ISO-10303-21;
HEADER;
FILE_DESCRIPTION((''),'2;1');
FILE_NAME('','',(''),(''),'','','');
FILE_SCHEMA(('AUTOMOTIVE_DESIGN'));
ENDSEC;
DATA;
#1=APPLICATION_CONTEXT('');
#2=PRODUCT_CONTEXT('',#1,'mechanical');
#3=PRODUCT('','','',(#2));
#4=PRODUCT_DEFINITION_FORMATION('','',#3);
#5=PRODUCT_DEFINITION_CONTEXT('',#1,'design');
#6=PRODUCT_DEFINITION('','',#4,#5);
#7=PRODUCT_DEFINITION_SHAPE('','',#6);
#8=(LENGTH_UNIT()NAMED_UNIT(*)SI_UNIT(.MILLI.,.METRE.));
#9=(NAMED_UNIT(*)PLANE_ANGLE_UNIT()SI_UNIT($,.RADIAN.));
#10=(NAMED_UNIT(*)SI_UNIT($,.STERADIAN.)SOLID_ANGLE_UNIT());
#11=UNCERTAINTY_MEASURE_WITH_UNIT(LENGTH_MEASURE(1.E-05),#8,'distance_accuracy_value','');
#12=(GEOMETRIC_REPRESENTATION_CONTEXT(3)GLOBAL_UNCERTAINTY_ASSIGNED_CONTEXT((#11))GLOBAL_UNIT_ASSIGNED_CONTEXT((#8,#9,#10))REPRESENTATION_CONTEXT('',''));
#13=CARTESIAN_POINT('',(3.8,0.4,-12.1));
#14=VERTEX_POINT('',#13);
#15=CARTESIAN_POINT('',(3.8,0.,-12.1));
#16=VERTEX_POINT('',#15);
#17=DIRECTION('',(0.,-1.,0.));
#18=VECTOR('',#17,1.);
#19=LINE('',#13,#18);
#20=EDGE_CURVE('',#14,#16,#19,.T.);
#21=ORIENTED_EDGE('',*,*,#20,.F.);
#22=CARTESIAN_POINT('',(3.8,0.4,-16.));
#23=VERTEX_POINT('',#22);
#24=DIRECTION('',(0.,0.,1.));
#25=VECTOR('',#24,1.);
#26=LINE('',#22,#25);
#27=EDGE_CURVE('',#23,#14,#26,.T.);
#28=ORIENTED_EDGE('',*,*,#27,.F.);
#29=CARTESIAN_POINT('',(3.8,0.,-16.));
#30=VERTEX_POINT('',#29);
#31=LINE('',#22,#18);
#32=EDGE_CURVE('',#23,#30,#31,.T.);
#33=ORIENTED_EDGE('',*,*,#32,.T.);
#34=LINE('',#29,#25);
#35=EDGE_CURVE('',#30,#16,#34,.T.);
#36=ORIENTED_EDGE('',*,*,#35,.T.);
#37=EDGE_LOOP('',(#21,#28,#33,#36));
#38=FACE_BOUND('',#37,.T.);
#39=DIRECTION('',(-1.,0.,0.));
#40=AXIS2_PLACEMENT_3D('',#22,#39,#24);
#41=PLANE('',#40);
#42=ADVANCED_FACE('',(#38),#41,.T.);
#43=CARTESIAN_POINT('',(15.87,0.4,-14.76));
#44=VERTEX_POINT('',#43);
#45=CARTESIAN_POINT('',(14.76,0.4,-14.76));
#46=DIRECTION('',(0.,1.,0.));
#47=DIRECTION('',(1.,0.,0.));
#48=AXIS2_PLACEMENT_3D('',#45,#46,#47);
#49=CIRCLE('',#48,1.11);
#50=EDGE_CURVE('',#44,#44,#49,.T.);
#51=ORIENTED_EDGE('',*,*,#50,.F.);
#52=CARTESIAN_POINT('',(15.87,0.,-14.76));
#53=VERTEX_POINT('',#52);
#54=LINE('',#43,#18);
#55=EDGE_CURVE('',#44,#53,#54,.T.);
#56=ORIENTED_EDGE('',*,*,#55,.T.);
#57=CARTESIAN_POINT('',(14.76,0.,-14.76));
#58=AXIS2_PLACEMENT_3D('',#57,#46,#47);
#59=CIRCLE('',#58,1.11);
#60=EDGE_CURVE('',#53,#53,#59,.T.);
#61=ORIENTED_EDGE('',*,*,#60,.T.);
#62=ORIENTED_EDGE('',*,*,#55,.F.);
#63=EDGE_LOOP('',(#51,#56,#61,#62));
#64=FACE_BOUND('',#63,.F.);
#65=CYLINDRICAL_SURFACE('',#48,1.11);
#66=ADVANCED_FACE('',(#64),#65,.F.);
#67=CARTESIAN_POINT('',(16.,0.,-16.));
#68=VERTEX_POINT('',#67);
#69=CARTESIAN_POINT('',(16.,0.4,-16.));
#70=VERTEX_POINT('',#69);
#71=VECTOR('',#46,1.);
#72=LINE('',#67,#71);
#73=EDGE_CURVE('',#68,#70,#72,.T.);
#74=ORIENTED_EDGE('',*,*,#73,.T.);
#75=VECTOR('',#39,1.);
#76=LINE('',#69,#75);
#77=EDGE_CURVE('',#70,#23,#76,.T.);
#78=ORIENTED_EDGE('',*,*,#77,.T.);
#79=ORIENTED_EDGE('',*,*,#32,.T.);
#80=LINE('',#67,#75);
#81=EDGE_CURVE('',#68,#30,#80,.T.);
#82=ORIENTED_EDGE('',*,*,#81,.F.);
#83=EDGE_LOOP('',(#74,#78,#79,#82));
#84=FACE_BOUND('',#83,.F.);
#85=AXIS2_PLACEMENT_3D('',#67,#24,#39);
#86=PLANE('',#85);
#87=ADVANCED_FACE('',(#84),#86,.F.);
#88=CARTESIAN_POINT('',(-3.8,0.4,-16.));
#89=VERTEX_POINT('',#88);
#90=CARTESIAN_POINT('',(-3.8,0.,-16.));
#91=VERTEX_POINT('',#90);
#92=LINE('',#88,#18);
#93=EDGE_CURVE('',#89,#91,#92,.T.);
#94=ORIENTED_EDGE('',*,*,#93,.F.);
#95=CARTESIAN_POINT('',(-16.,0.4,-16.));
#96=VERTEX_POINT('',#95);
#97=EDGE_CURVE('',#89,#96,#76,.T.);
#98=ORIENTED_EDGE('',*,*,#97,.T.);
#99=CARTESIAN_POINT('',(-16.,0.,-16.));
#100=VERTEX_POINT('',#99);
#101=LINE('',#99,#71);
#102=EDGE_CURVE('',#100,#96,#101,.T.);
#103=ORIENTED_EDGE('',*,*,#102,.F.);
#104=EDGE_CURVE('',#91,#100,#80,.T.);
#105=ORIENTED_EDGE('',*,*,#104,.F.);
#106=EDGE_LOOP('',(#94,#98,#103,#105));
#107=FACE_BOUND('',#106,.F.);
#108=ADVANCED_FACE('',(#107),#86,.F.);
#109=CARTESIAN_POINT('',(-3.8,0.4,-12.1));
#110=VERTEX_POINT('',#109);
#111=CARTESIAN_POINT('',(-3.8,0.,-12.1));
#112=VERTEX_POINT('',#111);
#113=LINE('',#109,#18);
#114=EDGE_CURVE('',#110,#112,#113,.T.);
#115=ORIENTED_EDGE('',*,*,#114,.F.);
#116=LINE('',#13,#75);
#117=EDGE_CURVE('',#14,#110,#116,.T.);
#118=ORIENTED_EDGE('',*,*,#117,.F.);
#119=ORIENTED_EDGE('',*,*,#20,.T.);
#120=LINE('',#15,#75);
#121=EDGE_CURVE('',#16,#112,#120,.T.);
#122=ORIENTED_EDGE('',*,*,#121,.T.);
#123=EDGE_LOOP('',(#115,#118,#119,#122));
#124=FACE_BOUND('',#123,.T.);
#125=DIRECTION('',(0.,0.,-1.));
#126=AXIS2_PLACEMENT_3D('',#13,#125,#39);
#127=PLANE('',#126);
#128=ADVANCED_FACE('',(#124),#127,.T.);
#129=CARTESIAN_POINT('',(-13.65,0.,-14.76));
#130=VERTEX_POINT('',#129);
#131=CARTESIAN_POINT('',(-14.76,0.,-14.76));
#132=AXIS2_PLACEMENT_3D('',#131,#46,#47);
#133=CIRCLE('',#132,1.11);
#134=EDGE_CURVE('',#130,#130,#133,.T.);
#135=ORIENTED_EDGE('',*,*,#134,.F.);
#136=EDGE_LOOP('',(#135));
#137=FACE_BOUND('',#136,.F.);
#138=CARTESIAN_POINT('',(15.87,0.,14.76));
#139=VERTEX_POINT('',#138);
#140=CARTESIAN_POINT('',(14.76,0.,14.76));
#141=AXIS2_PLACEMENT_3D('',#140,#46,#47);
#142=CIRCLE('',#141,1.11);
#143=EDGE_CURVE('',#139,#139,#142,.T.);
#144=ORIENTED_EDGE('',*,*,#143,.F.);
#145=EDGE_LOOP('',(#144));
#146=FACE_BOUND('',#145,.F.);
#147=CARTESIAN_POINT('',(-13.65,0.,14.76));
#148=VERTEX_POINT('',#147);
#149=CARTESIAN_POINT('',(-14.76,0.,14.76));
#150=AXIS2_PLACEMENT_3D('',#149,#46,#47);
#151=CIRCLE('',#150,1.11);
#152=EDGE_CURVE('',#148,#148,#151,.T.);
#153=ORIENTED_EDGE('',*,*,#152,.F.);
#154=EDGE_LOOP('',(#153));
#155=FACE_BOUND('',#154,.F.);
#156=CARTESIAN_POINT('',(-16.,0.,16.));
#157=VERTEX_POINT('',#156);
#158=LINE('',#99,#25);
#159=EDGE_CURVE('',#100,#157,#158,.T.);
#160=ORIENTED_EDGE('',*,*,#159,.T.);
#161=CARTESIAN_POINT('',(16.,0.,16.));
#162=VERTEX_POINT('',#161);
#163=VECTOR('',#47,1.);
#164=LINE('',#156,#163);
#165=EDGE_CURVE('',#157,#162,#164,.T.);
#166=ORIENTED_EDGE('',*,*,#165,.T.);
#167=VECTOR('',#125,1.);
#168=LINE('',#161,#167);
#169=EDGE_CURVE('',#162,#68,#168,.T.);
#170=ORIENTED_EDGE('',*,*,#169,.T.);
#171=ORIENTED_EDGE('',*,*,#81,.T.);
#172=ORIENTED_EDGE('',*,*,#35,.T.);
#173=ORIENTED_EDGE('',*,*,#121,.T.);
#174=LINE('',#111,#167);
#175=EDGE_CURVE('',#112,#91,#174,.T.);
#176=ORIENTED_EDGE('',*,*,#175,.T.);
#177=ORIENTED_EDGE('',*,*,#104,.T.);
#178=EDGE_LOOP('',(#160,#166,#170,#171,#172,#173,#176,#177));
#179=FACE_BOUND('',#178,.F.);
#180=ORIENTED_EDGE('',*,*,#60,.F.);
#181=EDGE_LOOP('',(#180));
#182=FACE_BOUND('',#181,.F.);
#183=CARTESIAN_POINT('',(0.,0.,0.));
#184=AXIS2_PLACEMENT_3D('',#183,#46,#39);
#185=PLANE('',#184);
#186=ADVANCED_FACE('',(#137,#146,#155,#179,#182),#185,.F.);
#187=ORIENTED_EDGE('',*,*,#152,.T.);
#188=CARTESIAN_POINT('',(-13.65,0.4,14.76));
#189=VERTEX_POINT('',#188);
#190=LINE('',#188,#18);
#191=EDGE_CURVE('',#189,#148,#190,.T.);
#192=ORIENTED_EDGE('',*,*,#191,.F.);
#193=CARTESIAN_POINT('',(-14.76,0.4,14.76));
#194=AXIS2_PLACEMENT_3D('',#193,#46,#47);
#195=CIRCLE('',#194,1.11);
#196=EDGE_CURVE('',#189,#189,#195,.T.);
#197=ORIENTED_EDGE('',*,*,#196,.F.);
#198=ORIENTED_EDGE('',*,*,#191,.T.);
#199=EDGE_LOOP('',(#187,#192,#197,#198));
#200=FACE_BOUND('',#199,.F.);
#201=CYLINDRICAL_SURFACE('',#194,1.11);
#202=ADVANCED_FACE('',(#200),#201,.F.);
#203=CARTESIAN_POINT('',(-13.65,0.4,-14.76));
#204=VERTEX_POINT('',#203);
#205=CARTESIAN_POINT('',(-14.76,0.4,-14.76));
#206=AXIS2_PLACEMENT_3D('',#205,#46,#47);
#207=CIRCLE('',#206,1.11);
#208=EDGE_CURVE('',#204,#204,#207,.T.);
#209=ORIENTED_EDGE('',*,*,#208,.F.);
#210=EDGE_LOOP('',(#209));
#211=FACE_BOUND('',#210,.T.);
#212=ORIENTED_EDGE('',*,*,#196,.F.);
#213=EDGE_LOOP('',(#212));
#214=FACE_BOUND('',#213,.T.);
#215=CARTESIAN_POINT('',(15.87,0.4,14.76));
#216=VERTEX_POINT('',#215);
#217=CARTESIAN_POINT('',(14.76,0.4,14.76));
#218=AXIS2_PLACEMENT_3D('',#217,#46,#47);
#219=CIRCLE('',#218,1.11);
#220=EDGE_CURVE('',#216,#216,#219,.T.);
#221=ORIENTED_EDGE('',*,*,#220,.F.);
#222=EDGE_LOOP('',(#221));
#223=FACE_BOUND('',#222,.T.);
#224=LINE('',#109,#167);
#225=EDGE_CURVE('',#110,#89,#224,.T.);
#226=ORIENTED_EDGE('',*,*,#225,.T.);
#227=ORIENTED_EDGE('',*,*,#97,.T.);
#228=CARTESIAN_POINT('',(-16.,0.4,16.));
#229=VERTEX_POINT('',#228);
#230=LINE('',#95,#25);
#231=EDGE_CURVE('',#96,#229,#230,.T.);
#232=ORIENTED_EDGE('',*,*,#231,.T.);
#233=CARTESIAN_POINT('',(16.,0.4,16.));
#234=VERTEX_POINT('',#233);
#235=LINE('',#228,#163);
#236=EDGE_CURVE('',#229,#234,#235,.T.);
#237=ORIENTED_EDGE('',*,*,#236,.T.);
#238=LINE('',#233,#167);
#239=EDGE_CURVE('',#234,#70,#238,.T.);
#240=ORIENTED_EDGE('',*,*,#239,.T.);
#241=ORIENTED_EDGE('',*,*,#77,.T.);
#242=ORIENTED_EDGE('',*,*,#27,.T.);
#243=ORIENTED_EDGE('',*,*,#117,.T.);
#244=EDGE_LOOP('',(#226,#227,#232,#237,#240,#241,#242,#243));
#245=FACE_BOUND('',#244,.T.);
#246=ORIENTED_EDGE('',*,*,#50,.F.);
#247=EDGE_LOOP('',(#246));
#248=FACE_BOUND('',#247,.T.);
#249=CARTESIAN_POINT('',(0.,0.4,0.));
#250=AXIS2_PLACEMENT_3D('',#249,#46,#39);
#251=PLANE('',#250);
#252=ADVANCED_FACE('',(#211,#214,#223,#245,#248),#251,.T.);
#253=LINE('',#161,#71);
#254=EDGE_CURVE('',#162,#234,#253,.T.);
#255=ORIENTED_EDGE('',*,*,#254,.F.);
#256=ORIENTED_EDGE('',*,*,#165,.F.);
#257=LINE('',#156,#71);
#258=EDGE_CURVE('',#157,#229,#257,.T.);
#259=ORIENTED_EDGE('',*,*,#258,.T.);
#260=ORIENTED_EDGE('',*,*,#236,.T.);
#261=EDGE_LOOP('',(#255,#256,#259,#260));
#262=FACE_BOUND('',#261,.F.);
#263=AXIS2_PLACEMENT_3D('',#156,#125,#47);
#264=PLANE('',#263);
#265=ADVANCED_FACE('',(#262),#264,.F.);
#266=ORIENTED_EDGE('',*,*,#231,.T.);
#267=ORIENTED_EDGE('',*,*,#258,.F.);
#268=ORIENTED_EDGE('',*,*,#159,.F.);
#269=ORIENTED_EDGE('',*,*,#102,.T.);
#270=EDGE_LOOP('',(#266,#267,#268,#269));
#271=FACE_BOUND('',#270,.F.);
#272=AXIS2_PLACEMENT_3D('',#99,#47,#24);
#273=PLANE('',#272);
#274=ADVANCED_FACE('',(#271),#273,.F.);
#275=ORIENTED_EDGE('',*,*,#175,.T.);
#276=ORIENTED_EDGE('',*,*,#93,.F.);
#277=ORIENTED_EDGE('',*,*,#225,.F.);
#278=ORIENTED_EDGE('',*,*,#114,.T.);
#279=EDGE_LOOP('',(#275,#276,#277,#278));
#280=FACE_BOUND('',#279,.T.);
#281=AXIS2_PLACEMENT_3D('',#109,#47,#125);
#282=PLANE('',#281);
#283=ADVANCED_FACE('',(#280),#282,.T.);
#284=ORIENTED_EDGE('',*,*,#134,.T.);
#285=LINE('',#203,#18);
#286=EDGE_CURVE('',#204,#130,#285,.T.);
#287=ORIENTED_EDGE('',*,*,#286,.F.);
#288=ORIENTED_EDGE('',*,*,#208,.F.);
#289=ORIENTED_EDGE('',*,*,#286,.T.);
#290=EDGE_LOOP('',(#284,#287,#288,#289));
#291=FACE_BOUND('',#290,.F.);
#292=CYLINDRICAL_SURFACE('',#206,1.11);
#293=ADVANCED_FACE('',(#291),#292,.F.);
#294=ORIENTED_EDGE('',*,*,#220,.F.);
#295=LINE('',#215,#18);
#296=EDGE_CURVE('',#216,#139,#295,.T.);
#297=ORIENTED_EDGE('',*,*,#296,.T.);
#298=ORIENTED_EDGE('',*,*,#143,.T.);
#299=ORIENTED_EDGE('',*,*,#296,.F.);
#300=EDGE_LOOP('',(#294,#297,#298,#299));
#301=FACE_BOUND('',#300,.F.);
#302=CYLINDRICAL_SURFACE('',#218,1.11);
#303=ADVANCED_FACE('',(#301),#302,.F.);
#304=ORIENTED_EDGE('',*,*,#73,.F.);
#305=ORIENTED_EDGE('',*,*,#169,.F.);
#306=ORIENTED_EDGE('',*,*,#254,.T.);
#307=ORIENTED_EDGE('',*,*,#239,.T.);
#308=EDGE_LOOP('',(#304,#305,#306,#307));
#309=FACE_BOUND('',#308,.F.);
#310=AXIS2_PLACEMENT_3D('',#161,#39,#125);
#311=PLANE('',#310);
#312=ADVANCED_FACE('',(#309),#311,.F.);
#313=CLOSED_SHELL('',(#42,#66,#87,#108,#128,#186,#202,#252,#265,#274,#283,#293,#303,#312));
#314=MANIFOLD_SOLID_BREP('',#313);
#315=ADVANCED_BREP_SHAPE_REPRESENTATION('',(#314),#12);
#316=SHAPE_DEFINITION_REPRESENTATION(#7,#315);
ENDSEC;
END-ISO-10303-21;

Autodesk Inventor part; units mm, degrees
ref_plane "YZ Plane" through (0, 0, 0) normal (1, 0, 0) x (0, 1, 0)
ref_plane "XZ Plane" through (0, 0, 0) normal (0, 1, 0) x (-1, 0, 0)
ref_plane "XY Plane" through (0, 0, 0) normal (0, 0, 1) x (1, 0, 0)
sketch "Sketch1" plane through (0, 0, 0) normal (0, 1, 0) x (-1, 0, 0)
  line L0 (16, 16) -> (-16, 16)
  line L1 (-16, 16) -> (-16, -16)
  line L2 (-16, -16) -> (16, -16)
  line L3 (16, -16) -> (16, 16)
  line L4 (16, 16) -> (-16, -16) construction
  line L5 (-16, 16) -> (16, -16) construction
  point P0 (0, 0)
  dimension "d0" = 32
  dimension "d1" = 32
extrude "Extrusion1" add sketch "Sketch1" along normal blind 0.4
sketch "Sketch2" plane through (0, 0.4, 0) normal (0, 1, 0) x (1, 0, 0)
  circle A0 centre (-14.76, -14.76) radius 1.11
  circle A1 centre (-14.76, 14.76) radius 1.11
  circle A2 centre (14.76, 14.76) radius 1.11
  circle A3 centre (14.76, -14.76) radius 1.11
  line L0 (16, 16) -> (-16, 16) projected
  line L1 (-16, 16) -> (-16, -16) projected
  line L2 (16, -16) -> (16, 16) projected
  line L3 (-16, -16) -> (16, -16) projected
  point P0 (0, 0)
  dimension "d16" = 2.22
  dimension "d17" = 2.22
  dimension "d18" = 2.22
  dimension "d19" = 2.22
  dimension "d20" = 1.24
  dimension "d21" = 1.24
  dimension "d22" = 1.24
  dimension "d23" = 1.24
  dimension "d24" = 1.24
  dimension "d25" = 1.24
  dimension "d26" = 1.24
  dimension "d27" = 1.24
extrude "Extrusion2" cut sketch "Sketch2" against normal blind 0.4 contours A0 | A1 | A2 | A3
sketch "Sketch3" plane through (0, 0.4, 0) normal (0, 1, 0) x (1, 0, 0)
  line L0 (-3.8, 16) -> (3.8, 16)
  line L1 (3.8, 16) -> (3.8, 12.1)
  line L2 (3.8, 12.1) -> (-3.8, 12.1)
  line L3 (-3.8, 12.1) -> (-3.8, 16)
  line L4 (16, 16) -> (-16, 16) projected
  line L5 (16, -16) -> (16, 16) projected
  dimension "d32" = 7.6
  dimension "d33" = 3.9
  dimension "d34" = 0
  dimension "d35" = 12.2
extrude "Extrusion3" cut sketch "Sketch3" against normal blind 0.4
properties part number "Bottom Cover"
